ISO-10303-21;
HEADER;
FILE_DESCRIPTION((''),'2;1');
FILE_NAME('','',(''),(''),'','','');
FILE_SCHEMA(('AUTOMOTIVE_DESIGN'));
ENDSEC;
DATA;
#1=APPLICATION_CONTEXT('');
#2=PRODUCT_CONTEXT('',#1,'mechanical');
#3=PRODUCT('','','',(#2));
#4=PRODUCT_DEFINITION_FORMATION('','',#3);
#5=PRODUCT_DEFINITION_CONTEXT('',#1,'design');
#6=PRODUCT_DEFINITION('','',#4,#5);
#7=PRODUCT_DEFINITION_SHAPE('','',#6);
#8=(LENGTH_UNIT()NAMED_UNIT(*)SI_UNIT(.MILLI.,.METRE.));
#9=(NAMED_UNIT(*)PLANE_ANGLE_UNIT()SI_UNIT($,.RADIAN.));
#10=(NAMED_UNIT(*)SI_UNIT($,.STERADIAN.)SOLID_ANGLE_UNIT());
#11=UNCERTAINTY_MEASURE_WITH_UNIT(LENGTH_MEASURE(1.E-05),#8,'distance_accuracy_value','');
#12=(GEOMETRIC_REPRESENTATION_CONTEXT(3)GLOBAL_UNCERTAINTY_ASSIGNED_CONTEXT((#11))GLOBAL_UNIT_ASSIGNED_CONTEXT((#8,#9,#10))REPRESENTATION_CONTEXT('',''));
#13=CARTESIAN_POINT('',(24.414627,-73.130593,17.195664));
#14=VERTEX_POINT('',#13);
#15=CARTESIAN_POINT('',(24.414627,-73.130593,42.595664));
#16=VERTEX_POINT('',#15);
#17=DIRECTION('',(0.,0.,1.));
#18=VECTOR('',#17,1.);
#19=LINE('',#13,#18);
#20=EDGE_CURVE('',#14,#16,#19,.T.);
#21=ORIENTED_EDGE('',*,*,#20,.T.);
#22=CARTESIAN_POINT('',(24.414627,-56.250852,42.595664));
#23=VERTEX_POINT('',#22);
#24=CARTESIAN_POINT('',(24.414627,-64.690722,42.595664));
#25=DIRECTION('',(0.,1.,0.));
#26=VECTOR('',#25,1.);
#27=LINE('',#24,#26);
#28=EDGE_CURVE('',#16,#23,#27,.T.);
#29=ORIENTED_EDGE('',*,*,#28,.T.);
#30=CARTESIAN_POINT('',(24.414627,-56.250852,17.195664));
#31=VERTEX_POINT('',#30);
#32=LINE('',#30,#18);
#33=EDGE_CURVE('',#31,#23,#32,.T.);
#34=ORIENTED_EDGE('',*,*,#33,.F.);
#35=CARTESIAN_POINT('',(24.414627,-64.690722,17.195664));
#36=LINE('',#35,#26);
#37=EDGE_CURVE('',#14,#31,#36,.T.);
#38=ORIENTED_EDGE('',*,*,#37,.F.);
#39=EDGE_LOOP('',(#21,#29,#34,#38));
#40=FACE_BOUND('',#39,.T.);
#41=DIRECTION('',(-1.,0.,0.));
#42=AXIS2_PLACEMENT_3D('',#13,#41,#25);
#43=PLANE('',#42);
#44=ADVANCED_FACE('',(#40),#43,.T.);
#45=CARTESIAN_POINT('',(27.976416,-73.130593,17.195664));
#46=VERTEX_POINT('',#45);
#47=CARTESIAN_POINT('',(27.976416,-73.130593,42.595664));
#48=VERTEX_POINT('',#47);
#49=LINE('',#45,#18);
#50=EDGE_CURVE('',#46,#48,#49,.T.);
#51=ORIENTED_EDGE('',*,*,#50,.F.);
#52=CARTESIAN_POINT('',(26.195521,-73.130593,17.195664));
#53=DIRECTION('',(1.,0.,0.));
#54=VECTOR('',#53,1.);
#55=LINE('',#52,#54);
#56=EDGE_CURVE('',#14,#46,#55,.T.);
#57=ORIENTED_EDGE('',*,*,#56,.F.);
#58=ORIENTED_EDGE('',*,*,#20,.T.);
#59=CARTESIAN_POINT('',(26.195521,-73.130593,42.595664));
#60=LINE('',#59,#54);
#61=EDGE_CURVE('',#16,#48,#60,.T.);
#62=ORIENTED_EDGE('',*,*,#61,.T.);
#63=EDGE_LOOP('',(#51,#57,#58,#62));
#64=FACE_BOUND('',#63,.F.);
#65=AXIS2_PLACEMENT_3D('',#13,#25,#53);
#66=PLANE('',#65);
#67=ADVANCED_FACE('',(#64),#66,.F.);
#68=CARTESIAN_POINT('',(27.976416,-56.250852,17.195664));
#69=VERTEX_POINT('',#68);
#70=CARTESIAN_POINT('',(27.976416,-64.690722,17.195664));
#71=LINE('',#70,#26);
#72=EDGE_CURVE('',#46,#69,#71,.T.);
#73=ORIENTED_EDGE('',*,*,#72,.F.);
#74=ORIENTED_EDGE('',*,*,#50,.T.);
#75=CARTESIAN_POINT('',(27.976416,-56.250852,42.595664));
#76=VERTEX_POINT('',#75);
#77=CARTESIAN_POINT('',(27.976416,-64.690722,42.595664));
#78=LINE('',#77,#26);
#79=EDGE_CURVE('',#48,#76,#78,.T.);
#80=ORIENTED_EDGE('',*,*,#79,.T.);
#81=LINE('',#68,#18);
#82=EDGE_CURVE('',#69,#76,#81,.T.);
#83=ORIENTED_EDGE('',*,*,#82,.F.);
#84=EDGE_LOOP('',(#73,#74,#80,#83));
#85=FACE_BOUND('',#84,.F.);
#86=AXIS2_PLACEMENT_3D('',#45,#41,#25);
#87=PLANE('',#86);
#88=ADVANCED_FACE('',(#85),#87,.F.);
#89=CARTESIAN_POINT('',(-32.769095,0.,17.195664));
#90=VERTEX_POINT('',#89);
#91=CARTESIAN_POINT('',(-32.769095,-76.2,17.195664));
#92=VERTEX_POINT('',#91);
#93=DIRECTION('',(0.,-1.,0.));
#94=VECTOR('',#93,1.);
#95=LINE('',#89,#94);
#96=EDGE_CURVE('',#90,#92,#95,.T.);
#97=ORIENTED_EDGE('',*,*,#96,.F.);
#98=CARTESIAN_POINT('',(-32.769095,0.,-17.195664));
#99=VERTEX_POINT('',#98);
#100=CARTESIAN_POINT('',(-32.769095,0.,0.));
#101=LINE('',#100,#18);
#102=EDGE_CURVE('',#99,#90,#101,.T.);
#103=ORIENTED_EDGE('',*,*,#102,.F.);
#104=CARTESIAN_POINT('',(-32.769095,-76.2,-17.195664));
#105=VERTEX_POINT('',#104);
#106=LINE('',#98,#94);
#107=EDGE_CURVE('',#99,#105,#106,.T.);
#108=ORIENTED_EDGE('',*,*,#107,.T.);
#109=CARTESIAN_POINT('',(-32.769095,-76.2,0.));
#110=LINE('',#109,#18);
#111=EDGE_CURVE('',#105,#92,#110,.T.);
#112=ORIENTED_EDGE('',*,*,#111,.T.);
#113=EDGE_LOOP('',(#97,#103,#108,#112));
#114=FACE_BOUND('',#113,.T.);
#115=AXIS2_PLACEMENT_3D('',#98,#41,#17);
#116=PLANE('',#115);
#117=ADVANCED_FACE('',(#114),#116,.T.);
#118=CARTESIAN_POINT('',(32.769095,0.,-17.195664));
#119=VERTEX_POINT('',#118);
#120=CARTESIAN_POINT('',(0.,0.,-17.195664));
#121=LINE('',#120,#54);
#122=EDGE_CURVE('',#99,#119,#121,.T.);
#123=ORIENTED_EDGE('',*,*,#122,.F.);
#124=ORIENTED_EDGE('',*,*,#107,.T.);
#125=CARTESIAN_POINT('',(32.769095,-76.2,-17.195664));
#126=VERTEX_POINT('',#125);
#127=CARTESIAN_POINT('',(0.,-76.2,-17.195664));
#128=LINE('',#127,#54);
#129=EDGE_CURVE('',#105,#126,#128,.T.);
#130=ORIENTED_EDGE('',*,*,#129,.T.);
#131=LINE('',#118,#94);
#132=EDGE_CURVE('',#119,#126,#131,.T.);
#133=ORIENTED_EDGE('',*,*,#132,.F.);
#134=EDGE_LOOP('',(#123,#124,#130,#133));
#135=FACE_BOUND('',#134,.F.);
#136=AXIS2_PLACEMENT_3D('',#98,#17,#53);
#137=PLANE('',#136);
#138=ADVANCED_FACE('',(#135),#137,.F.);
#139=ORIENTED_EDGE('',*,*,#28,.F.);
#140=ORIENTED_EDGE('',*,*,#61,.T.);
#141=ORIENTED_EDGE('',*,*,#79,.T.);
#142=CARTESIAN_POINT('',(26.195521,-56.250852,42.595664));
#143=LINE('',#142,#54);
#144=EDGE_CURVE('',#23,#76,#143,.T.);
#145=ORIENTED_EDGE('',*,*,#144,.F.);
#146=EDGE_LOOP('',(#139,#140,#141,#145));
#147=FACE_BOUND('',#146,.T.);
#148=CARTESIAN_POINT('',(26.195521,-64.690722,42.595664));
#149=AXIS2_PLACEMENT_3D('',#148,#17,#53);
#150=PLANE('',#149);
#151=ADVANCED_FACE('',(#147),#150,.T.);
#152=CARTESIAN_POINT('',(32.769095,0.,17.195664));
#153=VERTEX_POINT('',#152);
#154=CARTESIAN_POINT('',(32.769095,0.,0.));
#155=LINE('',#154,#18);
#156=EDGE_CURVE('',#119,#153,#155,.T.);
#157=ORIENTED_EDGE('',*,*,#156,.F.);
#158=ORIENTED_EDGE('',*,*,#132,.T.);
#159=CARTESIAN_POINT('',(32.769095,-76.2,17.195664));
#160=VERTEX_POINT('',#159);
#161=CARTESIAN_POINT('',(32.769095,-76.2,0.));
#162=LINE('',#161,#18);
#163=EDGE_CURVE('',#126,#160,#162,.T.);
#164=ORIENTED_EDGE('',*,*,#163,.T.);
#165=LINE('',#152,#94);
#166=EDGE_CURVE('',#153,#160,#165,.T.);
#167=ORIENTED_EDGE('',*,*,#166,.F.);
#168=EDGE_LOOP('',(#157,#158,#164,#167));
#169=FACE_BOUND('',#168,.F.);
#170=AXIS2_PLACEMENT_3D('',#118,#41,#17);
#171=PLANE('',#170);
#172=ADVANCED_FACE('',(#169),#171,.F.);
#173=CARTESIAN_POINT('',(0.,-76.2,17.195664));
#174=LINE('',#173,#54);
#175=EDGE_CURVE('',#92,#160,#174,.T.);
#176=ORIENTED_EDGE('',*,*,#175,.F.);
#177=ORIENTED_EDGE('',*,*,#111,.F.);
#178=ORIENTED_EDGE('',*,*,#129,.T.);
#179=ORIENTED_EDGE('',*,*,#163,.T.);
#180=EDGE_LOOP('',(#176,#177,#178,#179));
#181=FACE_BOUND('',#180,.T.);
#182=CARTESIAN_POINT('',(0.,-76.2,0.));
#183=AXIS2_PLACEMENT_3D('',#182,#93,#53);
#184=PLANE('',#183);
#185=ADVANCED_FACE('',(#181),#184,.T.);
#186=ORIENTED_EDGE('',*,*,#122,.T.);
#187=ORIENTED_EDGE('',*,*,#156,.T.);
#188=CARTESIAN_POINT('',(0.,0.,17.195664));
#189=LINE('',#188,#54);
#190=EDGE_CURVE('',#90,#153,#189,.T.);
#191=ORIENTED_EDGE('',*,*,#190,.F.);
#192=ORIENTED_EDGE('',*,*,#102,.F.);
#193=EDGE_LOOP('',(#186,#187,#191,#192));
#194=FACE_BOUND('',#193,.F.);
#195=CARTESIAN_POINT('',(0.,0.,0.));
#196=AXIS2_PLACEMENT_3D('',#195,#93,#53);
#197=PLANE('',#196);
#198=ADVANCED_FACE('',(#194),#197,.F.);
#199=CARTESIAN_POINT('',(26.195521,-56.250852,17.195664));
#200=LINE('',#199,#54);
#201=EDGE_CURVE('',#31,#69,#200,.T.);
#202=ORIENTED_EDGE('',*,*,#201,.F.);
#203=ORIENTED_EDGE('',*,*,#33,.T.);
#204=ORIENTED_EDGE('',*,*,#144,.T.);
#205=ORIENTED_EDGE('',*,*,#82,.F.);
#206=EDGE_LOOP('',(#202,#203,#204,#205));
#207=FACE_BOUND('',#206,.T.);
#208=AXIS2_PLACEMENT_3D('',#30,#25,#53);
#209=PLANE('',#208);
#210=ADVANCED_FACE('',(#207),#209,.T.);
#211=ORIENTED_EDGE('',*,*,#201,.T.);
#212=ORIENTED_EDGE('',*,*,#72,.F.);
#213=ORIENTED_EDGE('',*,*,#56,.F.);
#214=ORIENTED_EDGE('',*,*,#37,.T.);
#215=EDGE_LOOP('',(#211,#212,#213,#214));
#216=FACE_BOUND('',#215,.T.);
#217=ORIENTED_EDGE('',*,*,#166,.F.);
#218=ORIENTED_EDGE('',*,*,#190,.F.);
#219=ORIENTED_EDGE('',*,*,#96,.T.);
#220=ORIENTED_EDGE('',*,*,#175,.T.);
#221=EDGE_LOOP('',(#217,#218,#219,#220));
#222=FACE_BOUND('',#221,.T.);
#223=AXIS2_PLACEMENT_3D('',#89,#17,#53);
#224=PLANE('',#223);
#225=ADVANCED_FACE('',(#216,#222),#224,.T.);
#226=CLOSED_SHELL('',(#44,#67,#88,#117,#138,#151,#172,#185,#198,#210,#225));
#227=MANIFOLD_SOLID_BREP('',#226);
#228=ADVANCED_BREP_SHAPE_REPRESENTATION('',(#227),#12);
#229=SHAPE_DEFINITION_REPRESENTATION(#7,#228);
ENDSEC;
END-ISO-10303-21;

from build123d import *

# Parameters (mm, degrees)
F0_W     = 65.53819
F0_H     = 34.391328
F1_DEPTH = 76.2
F2_W     = 3.561789
F2_H     = 16.879741
F3_DEPTH = 25.4


with BuildPart() as f1:
    # F0 (on Front) → F1 (new body)
    with BuildSketch(Plane.XZ):
        Rectangle(F0_W, F0_H)
    extrude(amount=F1_DEPTH)

    # F2 (on face) → F3 (join)
    with BuildSketch(Plane.XY.offset(17.195664)):
        with Locations((26.195521, -64.690722)):
            Rectangle(F2_W, F2_H)
    extrude(amount=F3_DEPTH)


solid = f1.part
